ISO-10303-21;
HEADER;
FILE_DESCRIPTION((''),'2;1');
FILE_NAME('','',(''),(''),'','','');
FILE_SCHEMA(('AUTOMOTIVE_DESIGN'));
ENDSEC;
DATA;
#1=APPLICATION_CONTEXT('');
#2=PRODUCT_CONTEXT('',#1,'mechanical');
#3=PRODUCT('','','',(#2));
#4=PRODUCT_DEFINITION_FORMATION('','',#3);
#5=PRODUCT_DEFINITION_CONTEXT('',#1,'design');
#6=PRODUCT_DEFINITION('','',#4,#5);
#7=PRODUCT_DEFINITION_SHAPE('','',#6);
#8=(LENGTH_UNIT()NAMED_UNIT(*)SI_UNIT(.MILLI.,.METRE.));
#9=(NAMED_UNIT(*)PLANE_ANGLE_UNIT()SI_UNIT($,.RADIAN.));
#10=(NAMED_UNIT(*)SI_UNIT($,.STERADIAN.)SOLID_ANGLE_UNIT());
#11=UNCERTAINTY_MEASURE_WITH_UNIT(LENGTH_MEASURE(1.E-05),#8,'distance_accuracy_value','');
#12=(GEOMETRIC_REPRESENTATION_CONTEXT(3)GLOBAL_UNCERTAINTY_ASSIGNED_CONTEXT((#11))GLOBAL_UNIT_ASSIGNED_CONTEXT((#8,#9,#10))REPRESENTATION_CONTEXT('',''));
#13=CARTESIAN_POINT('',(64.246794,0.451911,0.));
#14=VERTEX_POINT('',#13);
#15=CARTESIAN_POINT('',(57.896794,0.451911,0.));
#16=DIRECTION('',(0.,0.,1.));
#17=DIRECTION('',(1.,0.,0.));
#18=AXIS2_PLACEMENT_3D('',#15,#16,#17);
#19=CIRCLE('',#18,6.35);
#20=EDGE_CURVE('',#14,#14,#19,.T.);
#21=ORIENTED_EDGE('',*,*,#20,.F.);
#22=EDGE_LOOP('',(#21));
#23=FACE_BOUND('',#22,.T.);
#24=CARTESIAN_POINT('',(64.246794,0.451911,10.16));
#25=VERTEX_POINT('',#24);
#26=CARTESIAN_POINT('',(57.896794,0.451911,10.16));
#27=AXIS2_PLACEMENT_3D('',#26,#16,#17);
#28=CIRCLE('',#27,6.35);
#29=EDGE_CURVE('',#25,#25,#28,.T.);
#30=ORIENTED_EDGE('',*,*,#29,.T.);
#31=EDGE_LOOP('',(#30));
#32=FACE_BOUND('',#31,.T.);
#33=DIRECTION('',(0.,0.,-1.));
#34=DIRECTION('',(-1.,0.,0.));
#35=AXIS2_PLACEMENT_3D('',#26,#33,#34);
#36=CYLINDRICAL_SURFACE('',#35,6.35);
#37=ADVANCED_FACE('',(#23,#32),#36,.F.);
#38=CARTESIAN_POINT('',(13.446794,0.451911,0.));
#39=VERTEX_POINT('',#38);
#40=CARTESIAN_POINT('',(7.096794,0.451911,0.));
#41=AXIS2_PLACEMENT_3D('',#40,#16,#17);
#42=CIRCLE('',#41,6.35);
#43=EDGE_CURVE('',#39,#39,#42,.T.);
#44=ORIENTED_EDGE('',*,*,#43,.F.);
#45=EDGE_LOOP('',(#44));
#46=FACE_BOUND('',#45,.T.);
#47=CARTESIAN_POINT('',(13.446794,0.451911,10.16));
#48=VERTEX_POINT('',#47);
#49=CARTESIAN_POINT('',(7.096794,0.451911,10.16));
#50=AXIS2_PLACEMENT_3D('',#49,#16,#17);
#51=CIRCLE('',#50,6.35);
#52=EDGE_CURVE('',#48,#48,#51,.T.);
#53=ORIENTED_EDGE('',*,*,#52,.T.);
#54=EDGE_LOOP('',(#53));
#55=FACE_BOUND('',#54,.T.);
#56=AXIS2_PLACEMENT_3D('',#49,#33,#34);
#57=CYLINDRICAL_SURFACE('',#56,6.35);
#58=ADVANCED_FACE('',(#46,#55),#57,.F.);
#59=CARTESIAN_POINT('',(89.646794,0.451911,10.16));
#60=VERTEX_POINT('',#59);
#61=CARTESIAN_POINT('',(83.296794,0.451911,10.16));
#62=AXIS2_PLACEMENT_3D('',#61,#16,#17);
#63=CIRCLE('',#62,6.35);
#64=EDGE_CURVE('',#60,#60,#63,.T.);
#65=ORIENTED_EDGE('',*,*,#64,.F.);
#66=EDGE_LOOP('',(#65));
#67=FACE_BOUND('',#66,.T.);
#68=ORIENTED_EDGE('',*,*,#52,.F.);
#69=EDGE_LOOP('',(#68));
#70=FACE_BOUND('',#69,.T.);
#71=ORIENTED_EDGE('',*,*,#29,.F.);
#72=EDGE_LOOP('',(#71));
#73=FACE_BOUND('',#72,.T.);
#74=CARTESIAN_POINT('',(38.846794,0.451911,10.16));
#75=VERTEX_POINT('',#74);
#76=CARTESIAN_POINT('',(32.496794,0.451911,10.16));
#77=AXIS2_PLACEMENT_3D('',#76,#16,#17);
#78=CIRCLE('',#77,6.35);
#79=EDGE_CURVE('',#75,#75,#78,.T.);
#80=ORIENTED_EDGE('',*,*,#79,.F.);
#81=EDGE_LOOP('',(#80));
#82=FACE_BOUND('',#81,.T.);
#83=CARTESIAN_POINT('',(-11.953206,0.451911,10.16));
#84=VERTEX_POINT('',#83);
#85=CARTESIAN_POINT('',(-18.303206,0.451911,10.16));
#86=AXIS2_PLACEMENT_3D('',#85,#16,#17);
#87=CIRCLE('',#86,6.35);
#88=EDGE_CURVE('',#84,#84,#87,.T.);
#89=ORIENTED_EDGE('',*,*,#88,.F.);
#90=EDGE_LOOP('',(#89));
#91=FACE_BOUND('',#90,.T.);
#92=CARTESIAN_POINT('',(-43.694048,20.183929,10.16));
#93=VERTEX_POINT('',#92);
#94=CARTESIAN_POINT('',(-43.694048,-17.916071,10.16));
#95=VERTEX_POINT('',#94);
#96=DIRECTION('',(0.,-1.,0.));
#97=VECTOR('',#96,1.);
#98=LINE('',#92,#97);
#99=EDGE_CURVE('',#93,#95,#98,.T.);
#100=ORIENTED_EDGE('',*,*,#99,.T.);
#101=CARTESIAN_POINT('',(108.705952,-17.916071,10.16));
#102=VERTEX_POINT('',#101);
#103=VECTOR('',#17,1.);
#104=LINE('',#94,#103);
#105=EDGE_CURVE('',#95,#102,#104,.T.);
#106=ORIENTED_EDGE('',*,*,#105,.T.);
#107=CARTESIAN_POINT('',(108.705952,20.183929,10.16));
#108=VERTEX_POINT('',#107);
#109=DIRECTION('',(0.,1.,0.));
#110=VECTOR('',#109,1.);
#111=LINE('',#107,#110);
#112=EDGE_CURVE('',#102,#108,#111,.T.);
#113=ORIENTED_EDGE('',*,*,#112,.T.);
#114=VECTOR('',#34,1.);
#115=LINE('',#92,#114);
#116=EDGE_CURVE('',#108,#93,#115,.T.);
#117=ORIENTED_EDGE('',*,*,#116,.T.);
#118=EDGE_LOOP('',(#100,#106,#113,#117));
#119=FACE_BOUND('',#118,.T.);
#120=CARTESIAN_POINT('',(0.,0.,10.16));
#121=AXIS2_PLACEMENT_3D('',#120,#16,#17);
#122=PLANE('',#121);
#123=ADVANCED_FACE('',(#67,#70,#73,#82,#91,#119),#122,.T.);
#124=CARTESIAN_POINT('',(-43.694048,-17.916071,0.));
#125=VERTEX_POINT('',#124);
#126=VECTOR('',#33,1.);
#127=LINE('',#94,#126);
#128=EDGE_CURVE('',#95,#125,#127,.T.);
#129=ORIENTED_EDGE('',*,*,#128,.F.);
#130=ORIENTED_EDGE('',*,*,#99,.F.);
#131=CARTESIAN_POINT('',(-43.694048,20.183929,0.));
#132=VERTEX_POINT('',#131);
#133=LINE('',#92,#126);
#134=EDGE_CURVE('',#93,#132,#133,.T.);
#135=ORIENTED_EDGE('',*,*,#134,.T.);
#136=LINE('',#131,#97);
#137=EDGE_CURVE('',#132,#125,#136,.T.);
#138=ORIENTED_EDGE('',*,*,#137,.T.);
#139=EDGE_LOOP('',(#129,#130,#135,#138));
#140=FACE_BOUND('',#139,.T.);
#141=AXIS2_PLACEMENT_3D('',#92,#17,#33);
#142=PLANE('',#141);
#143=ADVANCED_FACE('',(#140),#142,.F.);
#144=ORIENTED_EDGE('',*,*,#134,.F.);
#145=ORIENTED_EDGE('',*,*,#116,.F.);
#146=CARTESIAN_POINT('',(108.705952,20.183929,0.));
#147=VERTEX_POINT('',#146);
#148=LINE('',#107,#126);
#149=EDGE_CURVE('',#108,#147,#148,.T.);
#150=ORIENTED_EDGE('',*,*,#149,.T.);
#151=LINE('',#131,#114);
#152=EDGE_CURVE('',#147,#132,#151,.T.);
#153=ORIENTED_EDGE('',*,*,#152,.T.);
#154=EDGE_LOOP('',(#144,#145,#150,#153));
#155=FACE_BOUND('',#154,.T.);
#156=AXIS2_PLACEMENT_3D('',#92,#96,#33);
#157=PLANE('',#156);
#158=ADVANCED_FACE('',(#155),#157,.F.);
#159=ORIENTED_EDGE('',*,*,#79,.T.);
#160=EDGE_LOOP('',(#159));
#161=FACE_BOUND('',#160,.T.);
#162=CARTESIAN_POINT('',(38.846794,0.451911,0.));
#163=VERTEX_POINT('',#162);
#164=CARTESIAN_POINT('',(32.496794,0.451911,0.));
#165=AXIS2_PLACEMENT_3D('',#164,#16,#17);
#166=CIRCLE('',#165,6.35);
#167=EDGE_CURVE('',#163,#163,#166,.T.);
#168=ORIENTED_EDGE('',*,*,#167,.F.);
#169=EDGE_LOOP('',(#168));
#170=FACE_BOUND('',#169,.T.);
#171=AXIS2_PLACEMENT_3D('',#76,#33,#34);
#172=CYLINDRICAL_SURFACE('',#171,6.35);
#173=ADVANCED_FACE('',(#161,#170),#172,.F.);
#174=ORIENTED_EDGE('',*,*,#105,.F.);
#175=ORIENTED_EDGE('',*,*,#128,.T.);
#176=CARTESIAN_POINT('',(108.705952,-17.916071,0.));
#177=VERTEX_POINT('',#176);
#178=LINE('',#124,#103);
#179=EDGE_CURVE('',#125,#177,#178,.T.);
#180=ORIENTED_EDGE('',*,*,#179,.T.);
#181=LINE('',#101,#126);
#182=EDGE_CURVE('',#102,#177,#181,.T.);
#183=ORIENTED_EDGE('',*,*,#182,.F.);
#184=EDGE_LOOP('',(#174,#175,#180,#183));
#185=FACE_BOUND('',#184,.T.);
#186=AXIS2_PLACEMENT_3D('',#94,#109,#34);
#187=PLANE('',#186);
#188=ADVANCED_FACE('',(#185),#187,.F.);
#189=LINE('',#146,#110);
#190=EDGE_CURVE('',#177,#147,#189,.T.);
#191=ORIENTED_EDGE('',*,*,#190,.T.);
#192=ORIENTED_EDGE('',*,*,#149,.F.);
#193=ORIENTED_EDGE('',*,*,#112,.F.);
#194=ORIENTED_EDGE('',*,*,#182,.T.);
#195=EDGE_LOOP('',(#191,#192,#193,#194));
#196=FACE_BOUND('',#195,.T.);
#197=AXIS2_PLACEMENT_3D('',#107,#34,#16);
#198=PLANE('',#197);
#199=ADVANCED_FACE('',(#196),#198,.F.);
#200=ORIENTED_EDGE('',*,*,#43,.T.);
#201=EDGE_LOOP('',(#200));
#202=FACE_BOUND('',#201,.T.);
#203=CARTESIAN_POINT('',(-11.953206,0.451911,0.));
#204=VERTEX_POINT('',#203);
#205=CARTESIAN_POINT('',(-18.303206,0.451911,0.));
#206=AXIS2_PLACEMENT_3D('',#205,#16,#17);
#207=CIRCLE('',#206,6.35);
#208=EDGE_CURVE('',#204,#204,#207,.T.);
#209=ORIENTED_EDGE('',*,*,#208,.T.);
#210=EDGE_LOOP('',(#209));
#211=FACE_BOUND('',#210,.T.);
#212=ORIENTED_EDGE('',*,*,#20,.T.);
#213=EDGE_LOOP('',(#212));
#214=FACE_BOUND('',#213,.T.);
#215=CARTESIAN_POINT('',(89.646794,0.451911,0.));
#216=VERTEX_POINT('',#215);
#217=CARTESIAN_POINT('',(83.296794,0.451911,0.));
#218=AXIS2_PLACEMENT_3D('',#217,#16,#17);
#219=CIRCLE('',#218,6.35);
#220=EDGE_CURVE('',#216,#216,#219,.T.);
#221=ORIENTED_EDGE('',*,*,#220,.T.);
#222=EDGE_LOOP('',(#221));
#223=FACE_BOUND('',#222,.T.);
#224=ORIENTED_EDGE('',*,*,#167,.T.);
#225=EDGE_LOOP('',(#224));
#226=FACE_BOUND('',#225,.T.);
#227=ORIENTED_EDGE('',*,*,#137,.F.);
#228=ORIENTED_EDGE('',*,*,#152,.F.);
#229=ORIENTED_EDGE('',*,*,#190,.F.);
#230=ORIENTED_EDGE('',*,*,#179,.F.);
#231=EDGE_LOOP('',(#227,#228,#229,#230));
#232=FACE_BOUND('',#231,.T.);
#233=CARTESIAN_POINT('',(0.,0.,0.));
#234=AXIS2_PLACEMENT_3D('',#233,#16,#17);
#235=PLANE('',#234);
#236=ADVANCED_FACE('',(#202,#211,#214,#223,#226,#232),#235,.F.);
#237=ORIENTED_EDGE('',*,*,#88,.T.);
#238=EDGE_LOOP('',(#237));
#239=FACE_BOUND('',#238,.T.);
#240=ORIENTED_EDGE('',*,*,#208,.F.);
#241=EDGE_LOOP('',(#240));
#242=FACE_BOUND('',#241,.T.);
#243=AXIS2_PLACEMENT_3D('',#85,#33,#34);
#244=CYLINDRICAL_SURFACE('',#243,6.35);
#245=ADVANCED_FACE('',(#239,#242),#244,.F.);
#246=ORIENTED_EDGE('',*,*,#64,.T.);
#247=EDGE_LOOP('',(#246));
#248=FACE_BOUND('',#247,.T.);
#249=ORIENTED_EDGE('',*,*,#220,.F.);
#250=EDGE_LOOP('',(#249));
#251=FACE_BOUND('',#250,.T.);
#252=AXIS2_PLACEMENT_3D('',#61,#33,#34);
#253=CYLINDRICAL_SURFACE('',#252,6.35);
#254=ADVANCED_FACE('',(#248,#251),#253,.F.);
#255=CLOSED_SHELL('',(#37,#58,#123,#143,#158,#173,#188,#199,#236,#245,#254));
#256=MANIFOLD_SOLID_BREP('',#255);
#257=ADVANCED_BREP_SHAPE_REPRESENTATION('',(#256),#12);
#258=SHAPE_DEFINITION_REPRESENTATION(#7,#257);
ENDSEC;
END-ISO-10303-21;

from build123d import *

# Parameters (mm, degrees)
SKETCH1_W           = 152.4
SKETCH1_H           = 38.1
SKETCH1_R           = 6.35
BOSS_EXTRUDE1_DEPTH = 10.16


with BuildPart() as part:
    # Sketch1 → Boss-Extrude1 (new body)
    with BuildSketch(Plane.XY):
        with Locations((32.505952381, 1.133928571)):
            Rectangle(SKETCH1_W, SKETCH1_H)
        with Locations((-18.303205723, 0.451911108)):
            Circle(SKETCH1_R, mode=Mode.SUBTRACT)
        with Locations((32.496794277, 0.451911108)):
            Circle(SKETCH1_R, mode=Mode.SUBTRACT)
        with Locations((7.096794277, 0.451911108)):
            Circle(SKETCH1_R, mode=Mode.SUBTRACT)
        with Locations((57.896794277, 0.451911108)):
            Circle(SKETCH1_R, mode=Mode.SUBTRACT)
        with Locations((83.296794277, 0.451911108)):
            Circle(SKETCH1_R, mode=Mode.SUBTRACT)
    extrude(amount=BOSS_EXTRUDE1_DEPTH)


solid = part.part
